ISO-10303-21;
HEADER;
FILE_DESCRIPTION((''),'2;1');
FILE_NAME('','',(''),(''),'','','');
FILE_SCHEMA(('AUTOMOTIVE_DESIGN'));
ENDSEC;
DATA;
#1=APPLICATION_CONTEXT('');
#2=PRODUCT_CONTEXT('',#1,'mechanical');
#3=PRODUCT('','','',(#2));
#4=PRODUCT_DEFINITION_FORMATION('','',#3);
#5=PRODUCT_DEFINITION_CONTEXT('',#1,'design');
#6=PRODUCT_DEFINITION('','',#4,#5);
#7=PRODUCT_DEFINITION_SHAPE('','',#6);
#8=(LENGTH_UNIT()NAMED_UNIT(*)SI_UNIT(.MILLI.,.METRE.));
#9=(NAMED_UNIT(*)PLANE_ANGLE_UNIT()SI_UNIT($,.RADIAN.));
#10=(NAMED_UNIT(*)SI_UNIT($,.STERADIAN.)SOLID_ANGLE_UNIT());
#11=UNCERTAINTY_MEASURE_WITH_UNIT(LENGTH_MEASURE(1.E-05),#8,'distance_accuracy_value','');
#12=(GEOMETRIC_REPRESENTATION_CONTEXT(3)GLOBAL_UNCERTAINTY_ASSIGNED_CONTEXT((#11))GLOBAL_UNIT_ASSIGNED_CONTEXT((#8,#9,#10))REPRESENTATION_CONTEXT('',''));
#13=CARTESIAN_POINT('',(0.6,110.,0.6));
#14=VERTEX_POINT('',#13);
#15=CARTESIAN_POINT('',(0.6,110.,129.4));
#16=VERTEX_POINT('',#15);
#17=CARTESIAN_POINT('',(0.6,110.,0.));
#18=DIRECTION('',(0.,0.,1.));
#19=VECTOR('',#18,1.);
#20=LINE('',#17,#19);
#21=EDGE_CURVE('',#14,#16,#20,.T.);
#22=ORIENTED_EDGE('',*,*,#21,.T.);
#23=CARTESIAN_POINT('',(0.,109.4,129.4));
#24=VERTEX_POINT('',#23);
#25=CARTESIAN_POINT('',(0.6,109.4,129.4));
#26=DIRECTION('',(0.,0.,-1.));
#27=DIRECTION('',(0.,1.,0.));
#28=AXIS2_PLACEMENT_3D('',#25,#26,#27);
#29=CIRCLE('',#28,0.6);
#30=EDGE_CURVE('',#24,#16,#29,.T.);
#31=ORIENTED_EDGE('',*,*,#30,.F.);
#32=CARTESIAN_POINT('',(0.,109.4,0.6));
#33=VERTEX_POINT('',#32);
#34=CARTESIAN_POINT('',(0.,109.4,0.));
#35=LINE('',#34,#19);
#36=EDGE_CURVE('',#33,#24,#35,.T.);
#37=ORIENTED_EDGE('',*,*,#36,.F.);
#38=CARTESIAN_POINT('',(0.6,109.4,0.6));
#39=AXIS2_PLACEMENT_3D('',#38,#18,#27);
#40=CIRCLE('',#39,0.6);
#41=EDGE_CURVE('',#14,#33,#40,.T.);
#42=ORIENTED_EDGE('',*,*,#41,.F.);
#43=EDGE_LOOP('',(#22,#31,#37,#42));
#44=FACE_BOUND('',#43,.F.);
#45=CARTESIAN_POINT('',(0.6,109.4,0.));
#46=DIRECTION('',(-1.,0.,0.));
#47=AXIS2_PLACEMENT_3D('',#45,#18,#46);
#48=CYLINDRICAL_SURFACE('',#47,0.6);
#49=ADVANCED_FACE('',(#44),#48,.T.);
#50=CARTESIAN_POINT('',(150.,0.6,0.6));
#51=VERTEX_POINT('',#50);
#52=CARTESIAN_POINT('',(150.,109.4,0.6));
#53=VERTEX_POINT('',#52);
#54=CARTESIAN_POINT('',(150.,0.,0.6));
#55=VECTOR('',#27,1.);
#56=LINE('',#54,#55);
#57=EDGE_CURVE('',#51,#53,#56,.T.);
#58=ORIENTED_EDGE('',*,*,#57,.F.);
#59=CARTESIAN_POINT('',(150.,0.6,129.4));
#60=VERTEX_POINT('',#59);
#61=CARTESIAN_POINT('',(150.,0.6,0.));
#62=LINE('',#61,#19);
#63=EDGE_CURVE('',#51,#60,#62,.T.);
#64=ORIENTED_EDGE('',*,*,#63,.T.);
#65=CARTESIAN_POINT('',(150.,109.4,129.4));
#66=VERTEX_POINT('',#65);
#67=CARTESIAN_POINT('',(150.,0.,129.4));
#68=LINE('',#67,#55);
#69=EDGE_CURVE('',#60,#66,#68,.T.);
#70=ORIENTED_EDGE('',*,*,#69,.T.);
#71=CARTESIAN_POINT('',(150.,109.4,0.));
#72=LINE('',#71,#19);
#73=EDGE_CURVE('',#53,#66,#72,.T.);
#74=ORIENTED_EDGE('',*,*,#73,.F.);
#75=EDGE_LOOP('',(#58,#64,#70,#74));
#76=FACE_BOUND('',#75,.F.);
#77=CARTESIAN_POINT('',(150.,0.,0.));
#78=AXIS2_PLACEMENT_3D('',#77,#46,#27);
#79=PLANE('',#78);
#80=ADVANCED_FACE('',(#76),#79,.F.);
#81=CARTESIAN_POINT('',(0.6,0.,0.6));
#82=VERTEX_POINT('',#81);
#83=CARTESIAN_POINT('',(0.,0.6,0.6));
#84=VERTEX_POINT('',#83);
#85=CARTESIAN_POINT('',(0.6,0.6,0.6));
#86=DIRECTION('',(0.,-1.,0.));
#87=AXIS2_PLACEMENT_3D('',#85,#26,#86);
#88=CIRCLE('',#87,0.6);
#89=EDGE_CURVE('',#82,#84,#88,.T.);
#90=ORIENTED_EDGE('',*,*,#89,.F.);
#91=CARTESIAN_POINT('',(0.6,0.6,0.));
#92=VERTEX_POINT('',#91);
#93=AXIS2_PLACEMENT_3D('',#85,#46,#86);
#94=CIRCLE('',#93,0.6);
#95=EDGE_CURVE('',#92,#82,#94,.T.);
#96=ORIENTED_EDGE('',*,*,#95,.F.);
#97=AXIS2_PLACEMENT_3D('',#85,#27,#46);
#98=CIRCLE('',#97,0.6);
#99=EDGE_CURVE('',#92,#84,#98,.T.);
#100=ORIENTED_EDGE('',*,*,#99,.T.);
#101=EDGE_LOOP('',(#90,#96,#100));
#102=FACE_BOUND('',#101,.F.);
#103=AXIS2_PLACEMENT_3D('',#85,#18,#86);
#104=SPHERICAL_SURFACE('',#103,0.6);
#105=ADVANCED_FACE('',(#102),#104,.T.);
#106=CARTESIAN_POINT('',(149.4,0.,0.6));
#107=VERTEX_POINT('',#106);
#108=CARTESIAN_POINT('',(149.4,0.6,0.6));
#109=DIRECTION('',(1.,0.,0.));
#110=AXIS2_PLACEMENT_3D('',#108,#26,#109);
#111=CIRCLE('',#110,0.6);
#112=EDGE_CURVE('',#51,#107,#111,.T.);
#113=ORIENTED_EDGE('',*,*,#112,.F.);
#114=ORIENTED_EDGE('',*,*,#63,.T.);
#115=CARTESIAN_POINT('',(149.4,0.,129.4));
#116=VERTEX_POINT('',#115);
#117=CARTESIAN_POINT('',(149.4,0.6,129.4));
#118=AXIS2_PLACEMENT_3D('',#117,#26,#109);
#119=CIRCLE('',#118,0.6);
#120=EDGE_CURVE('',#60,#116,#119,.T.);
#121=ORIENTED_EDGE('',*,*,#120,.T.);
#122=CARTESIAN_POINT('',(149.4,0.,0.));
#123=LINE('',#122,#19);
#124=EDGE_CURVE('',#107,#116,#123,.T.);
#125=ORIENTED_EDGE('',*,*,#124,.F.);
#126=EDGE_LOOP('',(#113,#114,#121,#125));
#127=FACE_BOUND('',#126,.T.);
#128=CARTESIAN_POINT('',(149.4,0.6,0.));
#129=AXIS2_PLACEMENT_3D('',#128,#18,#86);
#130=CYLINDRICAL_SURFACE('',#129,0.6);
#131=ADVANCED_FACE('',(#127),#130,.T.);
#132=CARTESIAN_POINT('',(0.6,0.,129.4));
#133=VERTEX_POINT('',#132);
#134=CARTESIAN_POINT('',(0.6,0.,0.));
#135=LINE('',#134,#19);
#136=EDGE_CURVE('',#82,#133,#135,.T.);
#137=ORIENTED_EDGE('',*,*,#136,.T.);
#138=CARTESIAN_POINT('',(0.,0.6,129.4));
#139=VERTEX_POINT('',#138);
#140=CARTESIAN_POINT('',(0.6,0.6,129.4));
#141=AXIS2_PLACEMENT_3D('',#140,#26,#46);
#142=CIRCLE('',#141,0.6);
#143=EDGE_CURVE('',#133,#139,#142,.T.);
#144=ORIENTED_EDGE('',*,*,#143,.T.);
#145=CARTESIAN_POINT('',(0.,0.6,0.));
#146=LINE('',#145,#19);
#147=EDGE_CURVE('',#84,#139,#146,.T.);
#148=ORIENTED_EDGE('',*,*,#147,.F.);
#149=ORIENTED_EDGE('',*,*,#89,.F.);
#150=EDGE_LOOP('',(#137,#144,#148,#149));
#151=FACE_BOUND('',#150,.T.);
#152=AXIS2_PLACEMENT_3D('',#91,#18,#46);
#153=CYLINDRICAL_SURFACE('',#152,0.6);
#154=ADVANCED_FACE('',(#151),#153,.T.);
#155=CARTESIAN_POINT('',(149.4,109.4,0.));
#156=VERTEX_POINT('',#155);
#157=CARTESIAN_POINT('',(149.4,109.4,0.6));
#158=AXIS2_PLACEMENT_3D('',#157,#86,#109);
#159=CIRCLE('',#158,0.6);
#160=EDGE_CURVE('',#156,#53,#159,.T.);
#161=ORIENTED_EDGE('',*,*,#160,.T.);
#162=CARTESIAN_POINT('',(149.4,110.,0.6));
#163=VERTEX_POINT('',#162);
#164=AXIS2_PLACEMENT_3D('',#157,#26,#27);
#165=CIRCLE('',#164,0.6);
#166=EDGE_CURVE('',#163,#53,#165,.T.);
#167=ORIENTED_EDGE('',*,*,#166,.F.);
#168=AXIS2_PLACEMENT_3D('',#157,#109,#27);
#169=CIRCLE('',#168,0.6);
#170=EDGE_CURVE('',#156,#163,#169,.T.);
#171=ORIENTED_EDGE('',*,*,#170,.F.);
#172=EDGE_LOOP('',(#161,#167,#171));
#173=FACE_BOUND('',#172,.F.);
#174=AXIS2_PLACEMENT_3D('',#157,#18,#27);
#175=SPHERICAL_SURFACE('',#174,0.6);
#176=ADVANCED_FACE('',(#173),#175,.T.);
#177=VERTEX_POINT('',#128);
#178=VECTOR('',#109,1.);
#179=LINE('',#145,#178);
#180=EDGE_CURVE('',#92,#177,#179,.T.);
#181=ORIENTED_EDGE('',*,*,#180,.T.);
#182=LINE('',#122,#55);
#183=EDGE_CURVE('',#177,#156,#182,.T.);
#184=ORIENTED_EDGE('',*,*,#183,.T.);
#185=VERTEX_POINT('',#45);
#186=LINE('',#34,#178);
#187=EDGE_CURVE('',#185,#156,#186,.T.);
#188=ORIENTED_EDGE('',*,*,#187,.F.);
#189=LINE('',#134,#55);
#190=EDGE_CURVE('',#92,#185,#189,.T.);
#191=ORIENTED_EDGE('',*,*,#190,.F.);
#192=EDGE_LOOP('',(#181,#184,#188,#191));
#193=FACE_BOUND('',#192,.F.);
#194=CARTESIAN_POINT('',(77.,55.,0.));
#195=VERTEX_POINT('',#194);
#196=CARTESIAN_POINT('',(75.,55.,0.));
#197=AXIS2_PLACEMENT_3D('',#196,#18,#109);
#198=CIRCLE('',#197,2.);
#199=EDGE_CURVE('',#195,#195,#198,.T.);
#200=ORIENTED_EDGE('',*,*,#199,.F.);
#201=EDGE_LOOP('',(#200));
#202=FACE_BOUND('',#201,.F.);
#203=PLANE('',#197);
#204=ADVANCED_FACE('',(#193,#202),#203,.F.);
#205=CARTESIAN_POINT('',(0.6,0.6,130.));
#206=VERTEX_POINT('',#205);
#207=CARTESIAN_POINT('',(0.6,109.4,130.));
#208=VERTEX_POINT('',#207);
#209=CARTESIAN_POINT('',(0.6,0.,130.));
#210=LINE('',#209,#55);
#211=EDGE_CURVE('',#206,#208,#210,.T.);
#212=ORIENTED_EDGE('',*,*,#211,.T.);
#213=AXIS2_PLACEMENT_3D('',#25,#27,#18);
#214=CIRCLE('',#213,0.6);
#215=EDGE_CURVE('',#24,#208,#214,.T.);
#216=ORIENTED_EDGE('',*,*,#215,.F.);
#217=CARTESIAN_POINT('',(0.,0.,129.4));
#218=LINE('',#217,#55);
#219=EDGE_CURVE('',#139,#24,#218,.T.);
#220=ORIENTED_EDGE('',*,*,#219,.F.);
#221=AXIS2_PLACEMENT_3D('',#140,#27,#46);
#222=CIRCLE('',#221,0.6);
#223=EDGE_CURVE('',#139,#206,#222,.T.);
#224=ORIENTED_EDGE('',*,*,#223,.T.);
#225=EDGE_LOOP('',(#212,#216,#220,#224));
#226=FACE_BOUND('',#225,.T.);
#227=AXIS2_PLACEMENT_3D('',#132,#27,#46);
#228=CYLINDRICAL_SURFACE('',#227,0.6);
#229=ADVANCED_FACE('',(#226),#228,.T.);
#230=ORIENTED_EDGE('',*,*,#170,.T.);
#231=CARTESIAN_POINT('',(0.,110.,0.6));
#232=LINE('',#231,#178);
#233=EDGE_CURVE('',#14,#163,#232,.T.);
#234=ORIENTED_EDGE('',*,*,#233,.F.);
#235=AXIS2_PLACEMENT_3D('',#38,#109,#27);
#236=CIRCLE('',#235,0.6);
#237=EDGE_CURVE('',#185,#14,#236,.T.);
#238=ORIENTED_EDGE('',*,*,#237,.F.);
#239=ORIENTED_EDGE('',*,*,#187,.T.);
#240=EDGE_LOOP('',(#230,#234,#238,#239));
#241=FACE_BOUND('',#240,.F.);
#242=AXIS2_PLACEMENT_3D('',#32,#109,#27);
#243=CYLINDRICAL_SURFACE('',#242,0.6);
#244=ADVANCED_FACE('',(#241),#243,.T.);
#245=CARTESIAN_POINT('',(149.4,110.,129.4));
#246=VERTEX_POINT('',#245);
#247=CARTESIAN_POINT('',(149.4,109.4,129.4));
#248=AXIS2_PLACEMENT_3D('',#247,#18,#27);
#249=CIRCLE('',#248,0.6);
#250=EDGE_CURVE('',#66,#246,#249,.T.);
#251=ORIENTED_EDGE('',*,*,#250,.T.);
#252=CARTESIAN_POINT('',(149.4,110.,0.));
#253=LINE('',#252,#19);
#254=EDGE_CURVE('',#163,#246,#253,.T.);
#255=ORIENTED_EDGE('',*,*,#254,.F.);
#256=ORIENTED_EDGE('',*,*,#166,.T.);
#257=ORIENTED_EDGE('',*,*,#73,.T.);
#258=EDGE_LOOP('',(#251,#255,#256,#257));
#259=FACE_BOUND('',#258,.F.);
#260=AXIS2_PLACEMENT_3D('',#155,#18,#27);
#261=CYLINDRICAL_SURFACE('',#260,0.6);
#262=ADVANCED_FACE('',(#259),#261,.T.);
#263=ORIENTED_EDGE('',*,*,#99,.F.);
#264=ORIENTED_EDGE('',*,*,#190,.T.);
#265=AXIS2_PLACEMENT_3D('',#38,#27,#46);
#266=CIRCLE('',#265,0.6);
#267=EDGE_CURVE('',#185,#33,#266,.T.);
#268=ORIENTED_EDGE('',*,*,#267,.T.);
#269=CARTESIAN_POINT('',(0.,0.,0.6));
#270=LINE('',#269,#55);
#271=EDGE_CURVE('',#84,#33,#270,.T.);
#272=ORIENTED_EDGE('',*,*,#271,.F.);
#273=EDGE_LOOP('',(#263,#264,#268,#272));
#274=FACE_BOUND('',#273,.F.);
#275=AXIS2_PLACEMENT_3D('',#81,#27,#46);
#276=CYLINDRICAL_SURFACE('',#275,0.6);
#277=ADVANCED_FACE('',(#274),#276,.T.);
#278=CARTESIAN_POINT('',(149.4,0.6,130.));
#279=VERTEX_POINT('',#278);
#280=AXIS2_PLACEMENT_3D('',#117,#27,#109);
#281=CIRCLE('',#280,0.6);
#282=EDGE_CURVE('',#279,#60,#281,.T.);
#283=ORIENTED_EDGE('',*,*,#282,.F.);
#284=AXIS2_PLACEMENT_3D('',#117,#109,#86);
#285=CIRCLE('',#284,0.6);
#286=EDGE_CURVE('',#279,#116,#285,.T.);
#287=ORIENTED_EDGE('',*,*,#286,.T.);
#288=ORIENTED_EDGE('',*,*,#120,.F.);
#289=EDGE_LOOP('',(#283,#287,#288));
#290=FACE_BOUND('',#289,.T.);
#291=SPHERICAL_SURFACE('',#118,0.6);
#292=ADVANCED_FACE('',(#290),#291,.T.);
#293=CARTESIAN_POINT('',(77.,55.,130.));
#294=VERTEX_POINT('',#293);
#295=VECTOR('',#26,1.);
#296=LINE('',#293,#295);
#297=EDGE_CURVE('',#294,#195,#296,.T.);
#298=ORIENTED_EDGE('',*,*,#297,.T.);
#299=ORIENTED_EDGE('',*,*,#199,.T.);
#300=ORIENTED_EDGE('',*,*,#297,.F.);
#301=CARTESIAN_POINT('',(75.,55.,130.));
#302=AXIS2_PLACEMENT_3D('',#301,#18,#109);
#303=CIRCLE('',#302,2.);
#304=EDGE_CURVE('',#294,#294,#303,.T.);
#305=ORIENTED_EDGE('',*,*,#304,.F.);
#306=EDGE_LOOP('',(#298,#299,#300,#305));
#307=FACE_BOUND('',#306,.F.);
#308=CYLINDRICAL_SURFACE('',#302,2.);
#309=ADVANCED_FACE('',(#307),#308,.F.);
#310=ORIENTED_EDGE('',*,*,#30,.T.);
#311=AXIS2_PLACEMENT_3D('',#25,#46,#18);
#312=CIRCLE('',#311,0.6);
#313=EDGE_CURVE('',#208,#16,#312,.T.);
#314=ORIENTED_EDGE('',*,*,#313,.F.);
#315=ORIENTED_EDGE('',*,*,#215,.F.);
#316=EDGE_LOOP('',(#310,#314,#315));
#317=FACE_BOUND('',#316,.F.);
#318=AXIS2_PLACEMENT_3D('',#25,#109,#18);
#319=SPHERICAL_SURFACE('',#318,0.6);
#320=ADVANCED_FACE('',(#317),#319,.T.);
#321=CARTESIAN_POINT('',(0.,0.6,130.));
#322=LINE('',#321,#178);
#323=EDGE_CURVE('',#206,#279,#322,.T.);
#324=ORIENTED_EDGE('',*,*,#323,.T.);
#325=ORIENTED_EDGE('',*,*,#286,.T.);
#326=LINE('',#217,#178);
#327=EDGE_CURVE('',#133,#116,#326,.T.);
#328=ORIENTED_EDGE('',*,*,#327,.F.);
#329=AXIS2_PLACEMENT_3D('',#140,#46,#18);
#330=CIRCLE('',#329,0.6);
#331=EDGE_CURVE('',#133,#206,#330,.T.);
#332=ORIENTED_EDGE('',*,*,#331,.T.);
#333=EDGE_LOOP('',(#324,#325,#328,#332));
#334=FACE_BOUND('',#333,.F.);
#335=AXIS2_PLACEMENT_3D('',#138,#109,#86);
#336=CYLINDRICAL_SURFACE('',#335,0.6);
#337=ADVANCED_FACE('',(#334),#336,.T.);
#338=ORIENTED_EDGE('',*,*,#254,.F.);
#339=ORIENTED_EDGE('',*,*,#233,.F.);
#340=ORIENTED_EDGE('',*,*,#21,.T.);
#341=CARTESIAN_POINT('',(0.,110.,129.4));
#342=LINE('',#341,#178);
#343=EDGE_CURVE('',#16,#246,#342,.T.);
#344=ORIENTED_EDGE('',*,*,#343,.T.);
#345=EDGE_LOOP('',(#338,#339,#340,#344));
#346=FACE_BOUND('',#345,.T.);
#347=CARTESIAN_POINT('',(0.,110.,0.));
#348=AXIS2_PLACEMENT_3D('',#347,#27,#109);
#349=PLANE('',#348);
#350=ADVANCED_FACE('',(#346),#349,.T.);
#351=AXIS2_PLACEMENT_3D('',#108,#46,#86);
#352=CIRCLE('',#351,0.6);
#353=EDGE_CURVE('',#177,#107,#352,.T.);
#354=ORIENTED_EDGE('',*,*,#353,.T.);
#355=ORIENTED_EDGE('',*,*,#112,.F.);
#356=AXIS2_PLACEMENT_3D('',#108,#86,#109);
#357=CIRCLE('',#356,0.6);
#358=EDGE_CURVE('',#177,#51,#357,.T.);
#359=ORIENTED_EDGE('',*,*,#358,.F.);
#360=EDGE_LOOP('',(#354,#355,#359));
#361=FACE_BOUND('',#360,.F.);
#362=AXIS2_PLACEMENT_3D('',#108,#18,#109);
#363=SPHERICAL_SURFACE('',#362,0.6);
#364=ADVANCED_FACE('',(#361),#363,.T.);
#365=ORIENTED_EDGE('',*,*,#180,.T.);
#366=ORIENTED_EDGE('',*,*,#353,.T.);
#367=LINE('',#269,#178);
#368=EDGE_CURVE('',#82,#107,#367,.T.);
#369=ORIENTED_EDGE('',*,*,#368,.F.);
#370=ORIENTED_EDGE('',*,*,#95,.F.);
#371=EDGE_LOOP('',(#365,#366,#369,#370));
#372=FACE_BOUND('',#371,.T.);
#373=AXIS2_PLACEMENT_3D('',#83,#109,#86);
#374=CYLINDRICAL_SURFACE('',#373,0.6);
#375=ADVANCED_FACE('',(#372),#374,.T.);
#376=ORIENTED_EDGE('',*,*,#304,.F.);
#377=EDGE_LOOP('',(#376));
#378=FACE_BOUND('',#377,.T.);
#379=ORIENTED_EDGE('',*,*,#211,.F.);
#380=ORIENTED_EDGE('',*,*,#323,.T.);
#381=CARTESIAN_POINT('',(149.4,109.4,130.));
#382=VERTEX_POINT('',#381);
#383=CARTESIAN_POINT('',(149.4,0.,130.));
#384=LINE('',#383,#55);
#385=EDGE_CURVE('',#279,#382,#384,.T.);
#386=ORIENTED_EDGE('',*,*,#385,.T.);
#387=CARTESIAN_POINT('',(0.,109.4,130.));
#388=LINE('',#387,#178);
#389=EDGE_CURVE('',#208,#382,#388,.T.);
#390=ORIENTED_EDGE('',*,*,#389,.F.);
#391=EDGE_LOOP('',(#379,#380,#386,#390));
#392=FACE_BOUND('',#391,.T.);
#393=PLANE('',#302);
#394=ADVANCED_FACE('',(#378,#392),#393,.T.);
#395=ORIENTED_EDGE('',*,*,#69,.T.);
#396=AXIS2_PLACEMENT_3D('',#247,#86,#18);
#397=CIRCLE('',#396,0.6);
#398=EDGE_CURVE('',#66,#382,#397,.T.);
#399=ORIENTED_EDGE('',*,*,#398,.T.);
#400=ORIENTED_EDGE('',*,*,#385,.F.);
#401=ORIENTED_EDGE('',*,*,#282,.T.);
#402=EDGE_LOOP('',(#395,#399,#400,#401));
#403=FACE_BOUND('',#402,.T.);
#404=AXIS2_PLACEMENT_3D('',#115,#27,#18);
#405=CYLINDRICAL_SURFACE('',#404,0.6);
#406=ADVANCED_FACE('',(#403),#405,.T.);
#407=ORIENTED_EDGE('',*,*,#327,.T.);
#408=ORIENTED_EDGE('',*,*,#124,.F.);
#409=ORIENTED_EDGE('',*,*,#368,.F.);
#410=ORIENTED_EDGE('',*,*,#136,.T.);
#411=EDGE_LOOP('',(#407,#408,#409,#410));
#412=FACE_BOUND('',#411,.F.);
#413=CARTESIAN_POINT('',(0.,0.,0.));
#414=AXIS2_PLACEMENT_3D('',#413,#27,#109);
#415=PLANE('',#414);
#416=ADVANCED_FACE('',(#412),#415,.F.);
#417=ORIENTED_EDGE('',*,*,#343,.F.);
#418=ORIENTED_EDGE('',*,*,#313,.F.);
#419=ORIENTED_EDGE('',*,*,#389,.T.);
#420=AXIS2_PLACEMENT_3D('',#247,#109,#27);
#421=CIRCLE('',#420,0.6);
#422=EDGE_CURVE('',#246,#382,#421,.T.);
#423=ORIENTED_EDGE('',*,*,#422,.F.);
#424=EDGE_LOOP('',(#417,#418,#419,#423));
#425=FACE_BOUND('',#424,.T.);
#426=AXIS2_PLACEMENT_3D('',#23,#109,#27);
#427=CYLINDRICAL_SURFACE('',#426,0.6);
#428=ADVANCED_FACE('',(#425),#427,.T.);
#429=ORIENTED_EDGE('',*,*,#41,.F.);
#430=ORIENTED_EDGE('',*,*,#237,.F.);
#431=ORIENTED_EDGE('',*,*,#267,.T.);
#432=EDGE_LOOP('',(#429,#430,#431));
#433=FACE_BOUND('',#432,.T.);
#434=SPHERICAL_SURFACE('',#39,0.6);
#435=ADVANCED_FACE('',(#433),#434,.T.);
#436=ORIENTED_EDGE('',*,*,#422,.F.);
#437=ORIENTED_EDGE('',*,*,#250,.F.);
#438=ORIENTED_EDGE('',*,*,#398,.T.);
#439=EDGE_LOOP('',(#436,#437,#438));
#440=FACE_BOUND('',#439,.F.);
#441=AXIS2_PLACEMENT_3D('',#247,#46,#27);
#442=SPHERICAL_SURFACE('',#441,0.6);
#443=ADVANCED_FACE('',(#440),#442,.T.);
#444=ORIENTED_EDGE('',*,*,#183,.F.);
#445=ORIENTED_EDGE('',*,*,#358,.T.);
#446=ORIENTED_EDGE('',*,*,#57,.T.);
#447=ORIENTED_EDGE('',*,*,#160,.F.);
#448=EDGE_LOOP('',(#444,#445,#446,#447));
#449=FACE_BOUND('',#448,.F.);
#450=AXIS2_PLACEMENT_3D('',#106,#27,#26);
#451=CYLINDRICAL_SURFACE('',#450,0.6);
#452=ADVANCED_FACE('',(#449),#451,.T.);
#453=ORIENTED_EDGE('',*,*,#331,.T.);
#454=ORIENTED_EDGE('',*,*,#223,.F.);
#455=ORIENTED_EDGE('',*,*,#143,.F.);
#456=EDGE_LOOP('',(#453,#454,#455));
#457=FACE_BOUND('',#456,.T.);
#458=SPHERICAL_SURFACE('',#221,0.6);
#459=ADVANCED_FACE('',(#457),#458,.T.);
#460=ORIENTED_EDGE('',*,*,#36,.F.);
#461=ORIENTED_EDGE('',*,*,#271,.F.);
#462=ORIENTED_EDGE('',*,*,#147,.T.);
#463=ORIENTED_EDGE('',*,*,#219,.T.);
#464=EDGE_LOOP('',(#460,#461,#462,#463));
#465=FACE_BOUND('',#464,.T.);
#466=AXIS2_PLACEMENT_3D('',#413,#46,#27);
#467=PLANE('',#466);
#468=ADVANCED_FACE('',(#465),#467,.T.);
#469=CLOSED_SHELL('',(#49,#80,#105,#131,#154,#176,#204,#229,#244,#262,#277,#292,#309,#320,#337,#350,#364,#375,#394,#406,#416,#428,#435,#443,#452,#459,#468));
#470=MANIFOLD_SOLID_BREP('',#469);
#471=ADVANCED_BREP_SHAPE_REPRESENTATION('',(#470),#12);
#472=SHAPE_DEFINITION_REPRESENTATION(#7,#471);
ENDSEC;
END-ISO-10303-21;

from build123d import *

# Parameters (mm, degrees)
F0_W     = 150
F0_H     = 110
F1_DEPTH = 130
F2_R     = 2
F3_DEPTH = 130
F4_R     = 0.6


with BuildPart() as f1:
    # F0 (on Top) → F1 (new body)
    with BuildSketch(Plane.XY):
        with Locations((75, 55)):
            Rectangle(F0_W, F0_H)
    extrude(amount=F1_DEPTH)

    # F2 (on face) → F3 (cut)
    with BuildSketch(Plane.XY.offset(130)):
        with Locations((75, 55)):
            Circle(F2_R)
    extrude(amount=-F3_DEPTH, mode=Mode.SUBTRACT)

    # F4
    f4_edges = [f1.edges().sort_by_distance(p)[0] for p in [
        (75, 110, 130),
        (0, 55, 130),
        (150, 110, 65),
        (0, 110, 65),
        (75, 110, 0),
        (150, 0, 65),
        (150, 55, 0),
        (150, 55, 130),
        (0, 0, 65),
        (75, 0, 0),
        (75, 0, 130),
        (0, 55, 0),
    ]]
    fillet(f4_edges, radius=F4_R)


solid = f1.part
